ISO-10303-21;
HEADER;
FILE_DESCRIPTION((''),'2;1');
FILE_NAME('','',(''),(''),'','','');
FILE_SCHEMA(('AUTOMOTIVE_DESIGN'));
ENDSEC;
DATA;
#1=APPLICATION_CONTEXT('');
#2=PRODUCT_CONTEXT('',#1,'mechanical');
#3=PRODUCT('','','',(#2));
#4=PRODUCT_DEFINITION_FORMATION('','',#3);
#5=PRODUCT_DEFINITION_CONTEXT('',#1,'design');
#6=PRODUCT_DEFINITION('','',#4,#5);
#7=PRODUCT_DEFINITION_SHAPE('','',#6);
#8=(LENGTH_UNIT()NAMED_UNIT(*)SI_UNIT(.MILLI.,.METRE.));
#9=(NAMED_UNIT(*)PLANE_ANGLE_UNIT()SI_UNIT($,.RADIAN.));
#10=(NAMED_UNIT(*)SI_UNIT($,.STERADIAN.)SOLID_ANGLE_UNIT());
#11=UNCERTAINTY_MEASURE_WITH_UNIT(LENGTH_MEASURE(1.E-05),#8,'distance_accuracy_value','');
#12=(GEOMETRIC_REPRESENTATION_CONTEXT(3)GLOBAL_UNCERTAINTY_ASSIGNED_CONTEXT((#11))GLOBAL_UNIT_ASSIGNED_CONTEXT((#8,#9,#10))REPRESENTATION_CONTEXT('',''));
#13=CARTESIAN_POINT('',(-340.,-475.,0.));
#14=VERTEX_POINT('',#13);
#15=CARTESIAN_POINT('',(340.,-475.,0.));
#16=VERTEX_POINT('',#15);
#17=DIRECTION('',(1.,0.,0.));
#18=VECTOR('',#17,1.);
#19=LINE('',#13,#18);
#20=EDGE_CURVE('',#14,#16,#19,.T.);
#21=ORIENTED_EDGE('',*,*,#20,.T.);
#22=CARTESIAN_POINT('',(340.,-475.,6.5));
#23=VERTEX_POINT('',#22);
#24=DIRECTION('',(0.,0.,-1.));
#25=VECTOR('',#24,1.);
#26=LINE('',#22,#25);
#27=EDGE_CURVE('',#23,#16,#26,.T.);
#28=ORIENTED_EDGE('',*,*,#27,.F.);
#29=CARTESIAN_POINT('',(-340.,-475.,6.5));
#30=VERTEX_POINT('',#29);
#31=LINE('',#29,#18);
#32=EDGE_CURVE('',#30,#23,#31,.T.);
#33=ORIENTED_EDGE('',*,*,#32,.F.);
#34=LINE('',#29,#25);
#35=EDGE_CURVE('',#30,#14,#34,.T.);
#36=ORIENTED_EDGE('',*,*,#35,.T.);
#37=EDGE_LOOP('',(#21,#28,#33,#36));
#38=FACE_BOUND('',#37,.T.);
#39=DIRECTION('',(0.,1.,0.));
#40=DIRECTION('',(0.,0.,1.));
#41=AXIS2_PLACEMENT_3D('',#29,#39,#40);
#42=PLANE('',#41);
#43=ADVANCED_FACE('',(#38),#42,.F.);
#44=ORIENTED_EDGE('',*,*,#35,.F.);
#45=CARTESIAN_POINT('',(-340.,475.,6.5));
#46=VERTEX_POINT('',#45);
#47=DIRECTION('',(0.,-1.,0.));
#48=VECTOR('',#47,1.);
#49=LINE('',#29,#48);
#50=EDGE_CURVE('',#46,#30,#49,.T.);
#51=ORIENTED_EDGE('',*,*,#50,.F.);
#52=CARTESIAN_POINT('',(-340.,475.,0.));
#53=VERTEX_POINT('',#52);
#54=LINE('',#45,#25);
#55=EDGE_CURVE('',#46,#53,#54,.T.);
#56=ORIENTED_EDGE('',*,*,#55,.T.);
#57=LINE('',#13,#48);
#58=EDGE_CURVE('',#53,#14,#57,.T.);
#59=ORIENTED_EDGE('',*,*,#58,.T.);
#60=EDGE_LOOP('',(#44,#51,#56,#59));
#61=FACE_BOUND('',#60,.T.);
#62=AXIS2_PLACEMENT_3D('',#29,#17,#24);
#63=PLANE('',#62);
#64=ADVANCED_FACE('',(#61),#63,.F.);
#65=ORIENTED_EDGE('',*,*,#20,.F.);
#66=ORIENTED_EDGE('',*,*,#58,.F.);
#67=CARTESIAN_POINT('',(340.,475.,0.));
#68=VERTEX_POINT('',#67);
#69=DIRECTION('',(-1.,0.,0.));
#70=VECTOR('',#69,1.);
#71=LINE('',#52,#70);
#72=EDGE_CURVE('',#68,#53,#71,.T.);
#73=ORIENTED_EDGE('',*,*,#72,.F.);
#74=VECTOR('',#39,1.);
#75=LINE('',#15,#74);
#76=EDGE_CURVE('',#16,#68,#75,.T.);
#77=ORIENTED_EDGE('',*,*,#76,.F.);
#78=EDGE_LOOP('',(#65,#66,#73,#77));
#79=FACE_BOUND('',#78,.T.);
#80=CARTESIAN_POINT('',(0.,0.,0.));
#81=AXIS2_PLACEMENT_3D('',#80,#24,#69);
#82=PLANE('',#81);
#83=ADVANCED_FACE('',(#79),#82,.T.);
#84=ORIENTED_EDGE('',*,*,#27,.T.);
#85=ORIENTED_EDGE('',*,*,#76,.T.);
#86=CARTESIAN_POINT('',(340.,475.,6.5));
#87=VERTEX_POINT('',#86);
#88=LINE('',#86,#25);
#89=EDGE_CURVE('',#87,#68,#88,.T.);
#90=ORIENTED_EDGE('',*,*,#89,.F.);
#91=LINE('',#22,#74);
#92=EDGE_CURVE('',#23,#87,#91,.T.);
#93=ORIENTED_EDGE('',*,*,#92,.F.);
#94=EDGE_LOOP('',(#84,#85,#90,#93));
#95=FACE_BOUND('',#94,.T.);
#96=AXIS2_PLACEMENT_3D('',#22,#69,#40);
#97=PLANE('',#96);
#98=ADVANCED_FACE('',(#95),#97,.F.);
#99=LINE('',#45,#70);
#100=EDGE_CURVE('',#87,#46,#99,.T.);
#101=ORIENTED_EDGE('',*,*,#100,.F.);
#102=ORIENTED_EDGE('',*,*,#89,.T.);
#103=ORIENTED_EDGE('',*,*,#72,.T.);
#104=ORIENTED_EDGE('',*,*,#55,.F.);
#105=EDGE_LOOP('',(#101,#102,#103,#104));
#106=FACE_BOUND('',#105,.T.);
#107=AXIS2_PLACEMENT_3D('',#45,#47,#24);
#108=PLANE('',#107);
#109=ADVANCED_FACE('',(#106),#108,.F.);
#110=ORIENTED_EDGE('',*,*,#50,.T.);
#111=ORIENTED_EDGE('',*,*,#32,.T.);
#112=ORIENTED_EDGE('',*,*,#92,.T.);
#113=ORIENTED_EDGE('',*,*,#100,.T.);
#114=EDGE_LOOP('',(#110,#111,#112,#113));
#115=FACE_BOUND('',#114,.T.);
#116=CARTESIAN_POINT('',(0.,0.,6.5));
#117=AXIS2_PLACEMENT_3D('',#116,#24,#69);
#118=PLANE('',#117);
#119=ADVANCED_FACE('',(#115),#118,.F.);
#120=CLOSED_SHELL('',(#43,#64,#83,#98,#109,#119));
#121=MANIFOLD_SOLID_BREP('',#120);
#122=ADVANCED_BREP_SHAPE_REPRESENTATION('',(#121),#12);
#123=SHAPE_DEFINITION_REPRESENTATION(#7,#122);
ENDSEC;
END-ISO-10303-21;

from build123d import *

# Parameters (mm, degrees)
ESQUISSE1_W        = 680
ESQUISSE1_H        = 950
BOSS_EXTRU_1_DEPTH = 6.5


with BuildPart() as part:
    # Esquisse1 → Boss.-Extru.1 (new body)
    with BuildSketch(Plane.XY):
        Rectangle(ESQUISSE1_W, ESQUISSE1_H)
    extrude(amount=BOSS_EXTRU_1_DEPTH)


solid = part.part
